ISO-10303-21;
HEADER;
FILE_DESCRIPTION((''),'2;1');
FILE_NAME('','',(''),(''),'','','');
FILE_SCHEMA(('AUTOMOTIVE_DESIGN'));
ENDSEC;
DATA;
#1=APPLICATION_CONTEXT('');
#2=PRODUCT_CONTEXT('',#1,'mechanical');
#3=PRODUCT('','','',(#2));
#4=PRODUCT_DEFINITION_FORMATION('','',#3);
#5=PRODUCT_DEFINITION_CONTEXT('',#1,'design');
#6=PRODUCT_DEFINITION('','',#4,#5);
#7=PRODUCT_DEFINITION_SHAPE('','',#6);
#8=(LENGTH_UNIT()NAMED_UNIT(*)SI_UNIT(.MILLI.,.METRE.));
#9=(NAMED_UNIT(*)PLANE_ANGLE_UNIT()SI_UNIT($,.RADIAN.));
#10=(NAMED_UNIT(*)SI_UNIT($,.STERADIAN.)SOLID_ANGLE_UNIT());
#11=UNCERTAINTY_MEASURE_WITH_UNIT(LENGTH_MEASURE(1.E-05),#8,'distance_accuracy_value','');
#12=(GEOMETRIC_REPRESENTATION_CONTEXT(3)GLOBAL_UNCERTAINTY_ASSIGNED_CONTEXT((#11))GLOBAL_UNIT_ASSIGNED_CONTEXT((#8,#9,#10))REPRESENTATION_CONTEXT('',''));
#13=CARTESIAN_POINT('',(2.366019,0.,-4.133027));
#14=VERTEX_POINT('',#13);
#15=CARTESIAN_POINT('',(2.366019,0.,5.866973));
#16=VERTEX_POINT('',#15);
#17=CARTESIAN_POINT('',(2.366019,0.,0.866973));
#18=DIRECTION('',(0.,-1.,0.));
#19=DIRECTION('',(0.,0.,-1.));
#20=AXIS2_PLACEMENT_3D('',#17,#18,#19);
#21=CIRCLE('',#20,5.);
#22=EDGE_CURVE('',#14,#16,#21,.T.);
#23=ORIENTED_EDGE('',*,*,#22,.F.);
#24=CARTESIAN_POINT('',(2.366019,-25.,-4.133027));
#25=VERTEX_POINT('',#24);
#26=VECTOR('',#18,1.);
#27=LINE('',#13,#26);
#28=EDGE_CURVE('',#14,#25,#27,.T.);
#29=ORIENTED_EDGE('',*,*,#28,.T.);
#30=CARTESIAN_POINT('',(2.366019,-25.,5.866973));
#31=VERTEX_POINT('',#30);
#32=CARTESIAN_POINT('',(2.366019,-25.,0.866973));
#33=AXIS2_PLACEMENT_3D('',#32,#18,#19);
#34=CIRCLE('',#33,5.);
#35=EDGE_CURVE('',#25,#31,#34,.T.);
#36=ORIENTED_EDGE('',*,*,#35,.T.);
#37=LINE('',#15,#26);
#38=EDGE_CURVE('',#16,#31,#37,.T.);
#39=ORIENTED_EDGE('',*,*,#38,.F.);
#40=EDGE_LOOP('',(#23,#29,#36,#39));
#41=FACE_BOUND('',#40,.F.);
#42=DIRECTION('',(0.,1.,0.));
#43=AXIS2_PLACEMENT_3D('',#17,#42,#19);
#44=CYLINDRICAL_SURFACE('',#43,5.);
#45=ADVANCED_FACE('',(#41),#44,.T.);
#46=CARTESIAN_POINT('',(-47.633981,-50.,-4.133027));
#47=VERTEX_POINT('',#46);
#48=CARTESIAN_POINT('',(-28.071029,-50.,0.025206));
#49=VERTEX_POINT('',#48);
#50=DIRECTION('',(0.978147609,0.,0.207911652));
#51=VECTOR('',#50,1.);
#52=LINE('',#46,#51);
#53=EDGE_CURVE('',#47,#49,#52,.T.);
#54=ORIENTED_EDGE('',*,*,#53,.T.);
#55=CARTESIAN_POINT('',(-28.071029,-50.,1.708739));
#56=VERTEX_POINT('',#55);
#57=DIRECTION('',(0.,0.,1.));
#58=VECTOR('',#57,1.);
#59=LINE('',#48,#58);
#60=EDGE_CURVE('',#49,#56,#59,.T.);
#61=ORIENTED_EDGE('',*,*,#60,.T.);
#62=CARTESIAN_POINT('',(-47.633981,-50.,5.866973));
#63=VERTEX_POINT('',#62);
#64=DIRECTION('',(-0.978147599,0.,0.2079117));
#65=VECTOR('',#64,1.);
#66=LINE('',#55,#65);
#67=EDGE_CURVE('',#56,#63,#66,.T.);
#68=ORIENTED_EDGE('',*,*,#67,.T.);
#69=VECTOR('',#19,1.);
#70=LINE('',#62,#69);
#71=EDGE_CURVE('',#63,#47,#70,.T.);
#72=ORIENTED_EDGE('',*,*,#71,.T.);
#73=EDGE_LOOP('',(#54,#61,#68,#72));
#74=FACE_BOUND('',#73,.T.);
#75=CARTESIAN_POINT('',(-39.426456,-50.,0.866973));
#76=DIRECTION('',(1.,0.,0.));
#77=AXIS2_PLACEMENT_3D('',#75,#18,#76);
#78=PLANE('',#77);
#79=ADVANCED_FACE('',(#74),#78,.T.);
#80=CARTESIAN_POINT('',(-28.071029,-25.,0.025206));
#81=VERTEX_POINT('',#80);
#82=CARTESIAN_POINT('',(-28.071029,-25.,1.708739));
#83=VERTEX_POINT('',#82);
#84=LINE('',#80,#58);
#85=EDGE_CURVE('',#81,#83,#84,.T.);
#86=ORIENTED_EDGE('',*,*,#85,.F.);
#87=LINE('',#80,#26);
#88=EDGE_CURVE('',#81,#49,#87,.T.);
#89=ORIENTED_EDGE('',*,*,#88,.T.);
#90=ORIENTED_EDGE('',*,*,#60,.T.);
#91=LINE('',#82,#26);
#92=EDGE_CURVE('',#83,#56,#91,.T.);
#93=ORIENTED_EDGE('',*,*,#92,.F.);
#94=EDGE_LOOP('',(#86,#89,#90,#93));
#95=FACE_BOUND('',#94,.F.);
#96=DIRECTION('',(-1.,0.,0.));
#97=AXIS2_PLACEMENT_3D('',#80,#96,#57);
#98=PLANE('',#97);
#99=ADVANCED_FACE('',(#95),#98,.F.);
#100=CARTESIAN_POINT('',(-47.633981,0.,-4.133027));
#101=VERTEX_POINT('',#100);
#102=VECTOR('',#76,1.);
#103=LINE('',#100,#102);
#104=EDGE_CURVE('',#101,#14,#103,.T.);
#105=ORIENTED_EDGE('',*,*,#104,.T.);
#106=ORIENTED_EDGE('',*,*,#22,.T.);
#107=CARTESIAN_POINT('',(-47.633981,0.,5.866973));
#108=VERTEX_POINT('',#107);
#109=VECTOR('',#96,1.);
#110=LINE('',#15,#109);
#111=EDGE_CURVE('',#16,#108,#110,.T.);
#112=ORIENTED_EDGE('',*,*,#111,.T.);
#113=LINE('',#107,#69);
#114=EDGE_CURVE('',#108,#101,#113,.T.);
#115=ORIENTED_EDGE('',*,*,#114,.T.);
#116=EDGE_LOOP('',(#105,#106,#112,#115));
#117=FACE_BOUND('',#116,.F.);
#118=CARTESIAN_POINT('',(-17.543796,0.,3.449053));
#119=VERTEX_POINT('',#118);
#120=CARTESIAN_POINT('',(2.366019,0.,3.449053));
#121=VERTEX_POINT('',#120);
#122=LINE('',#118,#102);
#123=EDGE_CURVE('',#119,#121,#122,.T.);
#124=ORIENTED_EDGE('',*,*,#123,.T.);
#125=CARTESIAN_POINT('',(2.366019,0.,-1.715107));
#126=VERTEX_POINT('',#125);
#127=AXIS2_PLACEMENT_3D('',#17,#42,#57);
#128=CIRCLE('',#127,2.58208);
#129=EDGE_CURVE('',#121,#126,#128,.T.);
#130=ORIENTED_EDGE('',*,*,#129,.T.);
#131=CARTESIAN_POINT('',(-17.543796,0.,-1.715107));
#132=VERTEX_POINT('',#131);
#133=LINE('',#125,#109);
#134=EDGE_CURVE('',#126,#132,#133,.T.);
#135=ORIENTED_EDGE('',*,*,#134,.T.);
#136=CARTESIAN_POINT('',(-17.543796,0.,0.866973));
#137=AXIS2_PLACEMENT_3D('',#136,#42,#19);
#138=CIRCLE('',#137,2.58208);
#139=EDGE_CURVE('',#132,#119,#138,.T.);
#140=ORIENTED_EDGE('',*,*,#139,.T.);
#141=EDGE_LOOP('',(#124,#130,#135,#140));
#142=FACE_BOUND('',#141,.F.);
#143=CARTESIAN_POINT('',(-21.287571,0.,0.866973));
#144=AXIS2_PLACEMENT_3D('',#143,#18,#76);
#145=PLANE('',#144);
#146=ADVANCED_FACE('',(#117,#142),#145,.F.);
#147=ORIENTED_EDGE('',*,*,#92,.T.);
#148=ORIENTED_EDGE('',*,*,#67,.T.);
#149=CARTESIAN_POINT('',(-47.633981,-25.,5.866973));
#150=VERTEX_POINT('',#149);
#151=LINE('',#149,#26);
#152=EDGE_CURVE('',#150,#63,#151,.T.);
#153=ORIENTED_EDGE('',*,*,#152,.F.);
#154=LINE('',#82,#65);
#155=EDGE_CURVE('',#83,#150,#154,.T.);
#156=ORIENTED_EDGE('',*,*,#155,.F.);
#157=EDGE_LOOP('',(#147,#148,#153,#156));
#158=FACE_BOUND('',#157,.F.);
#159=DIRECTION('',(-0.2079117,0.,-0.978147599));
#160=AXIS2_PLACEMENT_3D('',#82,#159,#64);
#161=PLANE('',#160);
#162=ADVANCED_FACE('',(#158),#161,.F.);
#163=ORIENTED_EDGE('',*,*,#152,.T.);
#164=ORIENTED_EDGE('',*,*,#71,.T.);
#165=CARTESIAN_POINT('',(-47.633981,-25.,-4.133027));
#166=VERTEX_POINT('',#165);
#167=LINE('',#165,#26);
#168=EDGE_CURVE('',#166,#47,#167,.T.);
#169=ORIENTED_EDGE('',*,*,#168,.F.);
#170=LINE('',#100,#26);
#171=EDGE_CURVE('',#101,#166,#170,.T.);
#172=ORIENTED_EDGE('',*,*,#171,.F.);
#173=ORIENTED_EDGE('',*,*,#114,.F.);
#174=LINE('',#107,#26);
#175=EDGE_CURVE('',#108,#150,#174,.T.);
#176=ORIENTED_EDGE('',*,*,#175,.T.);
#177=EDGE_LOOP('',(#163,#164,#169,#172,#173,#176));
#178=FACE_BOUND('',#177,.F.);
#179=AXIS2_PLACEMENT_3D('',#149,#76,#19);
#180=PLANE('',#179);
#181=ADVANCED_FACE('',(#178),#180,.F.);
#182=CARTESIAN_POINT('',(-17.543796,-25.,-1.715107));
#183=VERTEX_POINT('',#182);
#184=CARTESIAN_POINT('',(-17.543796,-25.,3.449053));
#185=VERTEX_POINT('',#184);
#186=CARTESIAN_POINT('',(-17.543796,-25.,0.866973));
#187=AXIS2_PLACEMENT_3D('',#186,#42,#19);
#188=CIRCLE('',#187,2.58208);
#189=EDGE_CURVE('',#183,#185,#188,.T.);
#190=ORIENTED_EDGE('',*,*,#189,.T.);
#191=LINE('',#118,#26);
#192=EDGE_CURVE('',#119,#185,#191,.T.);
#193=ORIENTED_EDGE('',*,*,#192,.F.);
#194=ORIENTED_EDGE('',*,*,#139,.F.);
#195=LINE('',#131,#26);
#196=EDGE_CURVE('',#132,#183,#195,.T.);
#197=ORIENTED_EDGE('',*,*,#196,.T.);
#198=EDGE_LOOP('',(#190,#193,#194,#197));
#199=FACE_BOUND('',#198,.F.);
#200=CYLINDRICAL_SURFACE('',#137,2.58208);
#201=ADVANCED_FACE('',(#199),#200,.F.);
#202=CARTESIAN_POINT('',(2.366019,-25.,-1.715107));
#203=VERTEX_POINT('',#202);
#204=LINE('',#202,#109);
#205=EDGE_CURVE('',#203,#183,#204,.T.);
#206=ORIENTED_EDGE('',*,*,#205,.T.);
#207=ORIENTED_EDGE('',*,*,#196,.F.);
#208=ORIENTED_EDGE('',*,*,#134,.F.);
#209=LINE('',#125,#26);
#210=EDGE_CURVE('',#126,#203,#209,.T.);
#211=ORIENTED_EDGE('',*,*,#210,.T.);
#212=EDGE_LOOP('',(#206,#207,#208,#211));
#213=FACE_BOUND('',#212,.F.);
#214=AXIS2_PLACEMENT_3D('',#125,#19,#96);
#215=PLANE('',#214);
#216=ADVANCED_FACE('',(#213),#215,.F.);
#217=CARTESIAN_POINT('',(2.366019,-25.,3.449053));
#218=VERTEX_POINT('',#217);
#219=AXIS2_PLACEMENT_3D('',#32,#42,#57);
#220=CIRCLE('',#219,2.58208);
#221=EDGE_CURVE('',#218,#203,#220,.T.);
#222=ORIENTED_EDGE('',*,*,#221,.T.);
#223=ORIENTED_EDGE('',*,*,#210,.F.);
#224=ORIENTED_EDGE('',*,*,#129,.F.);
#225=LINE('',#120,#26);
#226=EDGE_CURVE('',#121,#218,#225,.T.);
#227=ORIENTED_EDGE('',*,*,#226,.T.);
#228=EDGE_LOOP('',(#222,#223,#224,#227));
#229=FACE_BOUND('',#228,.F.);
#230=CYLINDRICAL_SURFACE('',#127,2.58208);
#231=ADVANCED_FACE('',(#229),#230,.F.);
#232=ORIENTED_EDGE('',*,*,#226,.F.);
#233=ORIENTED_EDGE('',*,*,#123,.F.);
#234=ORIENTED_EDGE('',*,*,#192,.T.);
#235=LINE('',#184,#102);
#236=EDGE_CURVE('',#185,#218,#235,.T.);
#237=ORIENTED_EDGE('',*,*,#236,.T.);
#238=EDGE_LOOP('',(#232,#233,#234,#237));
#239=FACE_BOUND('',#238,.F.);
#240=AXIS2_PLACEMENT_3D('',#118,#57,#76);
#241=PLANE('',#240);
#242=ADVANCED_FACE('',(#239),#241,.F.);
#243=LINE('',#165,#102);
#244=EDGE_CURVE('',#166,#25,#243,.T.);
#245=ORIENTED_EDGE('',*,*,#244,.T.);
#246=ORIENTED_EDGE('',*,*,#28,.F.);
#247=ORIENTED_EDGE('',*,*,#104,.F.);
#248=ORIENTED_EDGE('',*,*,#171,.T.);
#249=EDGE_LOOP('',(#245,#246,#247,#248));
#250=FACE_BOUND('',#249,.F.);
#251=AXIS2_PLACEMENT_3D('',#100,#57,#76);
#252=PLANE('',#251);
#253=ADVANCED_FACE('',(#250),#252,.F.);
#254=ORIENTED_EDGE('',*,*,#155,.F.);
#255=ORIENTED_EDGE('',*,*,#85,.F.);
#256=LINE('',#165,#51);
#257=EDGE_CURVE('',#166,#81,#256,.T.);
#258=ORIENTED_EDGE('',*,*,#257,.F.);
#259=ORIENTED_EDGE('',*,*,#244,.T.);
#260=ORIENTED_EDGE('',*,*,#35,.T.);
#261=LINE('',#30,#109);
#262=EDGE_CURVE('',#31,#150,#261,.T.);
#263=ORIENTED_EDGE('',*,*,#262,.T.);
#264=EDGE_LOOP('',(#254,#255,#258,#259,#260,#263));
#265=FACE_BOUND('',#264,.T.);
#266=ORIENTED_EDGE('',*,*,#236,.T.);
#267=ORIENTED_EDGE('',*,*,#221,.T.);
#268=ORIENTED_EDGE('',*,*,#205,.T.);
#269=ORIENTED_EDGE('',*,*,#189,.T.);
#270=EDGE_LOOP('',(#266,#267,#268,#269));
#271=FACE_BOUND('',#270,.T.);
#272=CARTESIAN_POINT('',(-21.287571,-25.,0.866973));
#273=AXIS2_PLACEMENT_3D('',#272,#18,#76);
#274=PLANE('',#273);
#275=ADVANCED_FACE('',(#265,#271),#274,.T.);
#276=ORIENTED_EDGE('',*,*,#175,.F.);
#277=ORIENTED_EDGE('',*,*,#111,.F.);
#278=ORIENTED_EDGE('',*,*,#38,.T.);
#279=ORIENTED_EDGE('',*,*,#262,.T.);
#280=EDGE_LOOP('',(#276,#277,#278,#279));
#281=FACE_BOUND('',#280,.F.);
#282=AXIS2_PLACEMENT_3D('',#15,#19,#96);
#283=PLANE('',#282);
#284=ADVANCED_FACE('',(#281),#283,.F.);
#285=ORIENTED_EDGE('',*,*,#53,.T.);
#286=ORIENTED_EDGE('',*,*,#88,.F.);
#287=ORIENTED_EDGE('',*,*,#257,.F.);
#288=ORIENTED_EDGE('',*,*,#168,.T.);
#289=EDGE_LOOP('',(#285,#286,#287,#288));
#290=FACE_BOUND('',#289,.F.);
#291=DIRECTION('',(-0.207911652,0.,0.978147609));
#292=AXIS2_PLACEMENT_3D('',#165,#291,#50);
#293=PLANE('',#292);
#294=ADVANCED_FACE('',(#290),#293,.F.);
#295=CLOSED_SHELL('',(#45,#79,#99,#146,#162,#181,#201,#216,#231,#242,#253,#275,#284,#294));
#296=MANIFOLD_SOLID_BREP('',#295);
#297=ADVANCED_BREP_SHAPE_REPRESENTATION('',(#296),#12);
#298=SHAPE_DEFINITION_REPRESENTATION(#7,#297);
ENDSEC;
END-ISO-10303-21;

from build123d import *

# Parameters (mm, degrees)
F1_DEPTH = 25
F3_DEPTH = 25


with BuildPart() as f1:
    # F0 (on Front) → F1 (new body)
    with BuildSketch(Plane.XZ):
        with BuildLine():
            Line((2.366019, 5.866973), (-47.633981, 5.866973))
            Line((-47.633981, 5.866973), (-47.633981, -4.133027))
            Line((-47.633981, -4.133027), (2.366019, -4.133027))
            ThreePointArc((2.366019, -4.133027), (7.366019, 0.866973), (2.366019, 5.866973))
        make_face()
        with BuildLine():
            ThreePointArc((2.366019, 3.449053), (4.948099, 0.866973), (2.366019, -1.715107))
            Line((2.366019, -1.715107), (-17.543796, -1.715107))
            ThreePointArc((-17.543796, -1.715107), (-20.125876, 0.866973), (-17.543796, 3.449053))
            Line((-17.543796, 3.449053), (2.366019, 3.449053))
        make_face(mode=Mode.SUBTRACT)
    extrude(amount=F1_DEPTH)

    # F2 (on face) → F3 (join)
    with BuildSketch(Plane.XZ.offset(25)):
        Polygon((-28.071029, 1.708739), (-47.633981, 5.866973), (-47.633981, -4.133027), (-28.071029, 0.025206), align=None)
    extrude(amount=F3_DEPTH)


solid = f1.part
